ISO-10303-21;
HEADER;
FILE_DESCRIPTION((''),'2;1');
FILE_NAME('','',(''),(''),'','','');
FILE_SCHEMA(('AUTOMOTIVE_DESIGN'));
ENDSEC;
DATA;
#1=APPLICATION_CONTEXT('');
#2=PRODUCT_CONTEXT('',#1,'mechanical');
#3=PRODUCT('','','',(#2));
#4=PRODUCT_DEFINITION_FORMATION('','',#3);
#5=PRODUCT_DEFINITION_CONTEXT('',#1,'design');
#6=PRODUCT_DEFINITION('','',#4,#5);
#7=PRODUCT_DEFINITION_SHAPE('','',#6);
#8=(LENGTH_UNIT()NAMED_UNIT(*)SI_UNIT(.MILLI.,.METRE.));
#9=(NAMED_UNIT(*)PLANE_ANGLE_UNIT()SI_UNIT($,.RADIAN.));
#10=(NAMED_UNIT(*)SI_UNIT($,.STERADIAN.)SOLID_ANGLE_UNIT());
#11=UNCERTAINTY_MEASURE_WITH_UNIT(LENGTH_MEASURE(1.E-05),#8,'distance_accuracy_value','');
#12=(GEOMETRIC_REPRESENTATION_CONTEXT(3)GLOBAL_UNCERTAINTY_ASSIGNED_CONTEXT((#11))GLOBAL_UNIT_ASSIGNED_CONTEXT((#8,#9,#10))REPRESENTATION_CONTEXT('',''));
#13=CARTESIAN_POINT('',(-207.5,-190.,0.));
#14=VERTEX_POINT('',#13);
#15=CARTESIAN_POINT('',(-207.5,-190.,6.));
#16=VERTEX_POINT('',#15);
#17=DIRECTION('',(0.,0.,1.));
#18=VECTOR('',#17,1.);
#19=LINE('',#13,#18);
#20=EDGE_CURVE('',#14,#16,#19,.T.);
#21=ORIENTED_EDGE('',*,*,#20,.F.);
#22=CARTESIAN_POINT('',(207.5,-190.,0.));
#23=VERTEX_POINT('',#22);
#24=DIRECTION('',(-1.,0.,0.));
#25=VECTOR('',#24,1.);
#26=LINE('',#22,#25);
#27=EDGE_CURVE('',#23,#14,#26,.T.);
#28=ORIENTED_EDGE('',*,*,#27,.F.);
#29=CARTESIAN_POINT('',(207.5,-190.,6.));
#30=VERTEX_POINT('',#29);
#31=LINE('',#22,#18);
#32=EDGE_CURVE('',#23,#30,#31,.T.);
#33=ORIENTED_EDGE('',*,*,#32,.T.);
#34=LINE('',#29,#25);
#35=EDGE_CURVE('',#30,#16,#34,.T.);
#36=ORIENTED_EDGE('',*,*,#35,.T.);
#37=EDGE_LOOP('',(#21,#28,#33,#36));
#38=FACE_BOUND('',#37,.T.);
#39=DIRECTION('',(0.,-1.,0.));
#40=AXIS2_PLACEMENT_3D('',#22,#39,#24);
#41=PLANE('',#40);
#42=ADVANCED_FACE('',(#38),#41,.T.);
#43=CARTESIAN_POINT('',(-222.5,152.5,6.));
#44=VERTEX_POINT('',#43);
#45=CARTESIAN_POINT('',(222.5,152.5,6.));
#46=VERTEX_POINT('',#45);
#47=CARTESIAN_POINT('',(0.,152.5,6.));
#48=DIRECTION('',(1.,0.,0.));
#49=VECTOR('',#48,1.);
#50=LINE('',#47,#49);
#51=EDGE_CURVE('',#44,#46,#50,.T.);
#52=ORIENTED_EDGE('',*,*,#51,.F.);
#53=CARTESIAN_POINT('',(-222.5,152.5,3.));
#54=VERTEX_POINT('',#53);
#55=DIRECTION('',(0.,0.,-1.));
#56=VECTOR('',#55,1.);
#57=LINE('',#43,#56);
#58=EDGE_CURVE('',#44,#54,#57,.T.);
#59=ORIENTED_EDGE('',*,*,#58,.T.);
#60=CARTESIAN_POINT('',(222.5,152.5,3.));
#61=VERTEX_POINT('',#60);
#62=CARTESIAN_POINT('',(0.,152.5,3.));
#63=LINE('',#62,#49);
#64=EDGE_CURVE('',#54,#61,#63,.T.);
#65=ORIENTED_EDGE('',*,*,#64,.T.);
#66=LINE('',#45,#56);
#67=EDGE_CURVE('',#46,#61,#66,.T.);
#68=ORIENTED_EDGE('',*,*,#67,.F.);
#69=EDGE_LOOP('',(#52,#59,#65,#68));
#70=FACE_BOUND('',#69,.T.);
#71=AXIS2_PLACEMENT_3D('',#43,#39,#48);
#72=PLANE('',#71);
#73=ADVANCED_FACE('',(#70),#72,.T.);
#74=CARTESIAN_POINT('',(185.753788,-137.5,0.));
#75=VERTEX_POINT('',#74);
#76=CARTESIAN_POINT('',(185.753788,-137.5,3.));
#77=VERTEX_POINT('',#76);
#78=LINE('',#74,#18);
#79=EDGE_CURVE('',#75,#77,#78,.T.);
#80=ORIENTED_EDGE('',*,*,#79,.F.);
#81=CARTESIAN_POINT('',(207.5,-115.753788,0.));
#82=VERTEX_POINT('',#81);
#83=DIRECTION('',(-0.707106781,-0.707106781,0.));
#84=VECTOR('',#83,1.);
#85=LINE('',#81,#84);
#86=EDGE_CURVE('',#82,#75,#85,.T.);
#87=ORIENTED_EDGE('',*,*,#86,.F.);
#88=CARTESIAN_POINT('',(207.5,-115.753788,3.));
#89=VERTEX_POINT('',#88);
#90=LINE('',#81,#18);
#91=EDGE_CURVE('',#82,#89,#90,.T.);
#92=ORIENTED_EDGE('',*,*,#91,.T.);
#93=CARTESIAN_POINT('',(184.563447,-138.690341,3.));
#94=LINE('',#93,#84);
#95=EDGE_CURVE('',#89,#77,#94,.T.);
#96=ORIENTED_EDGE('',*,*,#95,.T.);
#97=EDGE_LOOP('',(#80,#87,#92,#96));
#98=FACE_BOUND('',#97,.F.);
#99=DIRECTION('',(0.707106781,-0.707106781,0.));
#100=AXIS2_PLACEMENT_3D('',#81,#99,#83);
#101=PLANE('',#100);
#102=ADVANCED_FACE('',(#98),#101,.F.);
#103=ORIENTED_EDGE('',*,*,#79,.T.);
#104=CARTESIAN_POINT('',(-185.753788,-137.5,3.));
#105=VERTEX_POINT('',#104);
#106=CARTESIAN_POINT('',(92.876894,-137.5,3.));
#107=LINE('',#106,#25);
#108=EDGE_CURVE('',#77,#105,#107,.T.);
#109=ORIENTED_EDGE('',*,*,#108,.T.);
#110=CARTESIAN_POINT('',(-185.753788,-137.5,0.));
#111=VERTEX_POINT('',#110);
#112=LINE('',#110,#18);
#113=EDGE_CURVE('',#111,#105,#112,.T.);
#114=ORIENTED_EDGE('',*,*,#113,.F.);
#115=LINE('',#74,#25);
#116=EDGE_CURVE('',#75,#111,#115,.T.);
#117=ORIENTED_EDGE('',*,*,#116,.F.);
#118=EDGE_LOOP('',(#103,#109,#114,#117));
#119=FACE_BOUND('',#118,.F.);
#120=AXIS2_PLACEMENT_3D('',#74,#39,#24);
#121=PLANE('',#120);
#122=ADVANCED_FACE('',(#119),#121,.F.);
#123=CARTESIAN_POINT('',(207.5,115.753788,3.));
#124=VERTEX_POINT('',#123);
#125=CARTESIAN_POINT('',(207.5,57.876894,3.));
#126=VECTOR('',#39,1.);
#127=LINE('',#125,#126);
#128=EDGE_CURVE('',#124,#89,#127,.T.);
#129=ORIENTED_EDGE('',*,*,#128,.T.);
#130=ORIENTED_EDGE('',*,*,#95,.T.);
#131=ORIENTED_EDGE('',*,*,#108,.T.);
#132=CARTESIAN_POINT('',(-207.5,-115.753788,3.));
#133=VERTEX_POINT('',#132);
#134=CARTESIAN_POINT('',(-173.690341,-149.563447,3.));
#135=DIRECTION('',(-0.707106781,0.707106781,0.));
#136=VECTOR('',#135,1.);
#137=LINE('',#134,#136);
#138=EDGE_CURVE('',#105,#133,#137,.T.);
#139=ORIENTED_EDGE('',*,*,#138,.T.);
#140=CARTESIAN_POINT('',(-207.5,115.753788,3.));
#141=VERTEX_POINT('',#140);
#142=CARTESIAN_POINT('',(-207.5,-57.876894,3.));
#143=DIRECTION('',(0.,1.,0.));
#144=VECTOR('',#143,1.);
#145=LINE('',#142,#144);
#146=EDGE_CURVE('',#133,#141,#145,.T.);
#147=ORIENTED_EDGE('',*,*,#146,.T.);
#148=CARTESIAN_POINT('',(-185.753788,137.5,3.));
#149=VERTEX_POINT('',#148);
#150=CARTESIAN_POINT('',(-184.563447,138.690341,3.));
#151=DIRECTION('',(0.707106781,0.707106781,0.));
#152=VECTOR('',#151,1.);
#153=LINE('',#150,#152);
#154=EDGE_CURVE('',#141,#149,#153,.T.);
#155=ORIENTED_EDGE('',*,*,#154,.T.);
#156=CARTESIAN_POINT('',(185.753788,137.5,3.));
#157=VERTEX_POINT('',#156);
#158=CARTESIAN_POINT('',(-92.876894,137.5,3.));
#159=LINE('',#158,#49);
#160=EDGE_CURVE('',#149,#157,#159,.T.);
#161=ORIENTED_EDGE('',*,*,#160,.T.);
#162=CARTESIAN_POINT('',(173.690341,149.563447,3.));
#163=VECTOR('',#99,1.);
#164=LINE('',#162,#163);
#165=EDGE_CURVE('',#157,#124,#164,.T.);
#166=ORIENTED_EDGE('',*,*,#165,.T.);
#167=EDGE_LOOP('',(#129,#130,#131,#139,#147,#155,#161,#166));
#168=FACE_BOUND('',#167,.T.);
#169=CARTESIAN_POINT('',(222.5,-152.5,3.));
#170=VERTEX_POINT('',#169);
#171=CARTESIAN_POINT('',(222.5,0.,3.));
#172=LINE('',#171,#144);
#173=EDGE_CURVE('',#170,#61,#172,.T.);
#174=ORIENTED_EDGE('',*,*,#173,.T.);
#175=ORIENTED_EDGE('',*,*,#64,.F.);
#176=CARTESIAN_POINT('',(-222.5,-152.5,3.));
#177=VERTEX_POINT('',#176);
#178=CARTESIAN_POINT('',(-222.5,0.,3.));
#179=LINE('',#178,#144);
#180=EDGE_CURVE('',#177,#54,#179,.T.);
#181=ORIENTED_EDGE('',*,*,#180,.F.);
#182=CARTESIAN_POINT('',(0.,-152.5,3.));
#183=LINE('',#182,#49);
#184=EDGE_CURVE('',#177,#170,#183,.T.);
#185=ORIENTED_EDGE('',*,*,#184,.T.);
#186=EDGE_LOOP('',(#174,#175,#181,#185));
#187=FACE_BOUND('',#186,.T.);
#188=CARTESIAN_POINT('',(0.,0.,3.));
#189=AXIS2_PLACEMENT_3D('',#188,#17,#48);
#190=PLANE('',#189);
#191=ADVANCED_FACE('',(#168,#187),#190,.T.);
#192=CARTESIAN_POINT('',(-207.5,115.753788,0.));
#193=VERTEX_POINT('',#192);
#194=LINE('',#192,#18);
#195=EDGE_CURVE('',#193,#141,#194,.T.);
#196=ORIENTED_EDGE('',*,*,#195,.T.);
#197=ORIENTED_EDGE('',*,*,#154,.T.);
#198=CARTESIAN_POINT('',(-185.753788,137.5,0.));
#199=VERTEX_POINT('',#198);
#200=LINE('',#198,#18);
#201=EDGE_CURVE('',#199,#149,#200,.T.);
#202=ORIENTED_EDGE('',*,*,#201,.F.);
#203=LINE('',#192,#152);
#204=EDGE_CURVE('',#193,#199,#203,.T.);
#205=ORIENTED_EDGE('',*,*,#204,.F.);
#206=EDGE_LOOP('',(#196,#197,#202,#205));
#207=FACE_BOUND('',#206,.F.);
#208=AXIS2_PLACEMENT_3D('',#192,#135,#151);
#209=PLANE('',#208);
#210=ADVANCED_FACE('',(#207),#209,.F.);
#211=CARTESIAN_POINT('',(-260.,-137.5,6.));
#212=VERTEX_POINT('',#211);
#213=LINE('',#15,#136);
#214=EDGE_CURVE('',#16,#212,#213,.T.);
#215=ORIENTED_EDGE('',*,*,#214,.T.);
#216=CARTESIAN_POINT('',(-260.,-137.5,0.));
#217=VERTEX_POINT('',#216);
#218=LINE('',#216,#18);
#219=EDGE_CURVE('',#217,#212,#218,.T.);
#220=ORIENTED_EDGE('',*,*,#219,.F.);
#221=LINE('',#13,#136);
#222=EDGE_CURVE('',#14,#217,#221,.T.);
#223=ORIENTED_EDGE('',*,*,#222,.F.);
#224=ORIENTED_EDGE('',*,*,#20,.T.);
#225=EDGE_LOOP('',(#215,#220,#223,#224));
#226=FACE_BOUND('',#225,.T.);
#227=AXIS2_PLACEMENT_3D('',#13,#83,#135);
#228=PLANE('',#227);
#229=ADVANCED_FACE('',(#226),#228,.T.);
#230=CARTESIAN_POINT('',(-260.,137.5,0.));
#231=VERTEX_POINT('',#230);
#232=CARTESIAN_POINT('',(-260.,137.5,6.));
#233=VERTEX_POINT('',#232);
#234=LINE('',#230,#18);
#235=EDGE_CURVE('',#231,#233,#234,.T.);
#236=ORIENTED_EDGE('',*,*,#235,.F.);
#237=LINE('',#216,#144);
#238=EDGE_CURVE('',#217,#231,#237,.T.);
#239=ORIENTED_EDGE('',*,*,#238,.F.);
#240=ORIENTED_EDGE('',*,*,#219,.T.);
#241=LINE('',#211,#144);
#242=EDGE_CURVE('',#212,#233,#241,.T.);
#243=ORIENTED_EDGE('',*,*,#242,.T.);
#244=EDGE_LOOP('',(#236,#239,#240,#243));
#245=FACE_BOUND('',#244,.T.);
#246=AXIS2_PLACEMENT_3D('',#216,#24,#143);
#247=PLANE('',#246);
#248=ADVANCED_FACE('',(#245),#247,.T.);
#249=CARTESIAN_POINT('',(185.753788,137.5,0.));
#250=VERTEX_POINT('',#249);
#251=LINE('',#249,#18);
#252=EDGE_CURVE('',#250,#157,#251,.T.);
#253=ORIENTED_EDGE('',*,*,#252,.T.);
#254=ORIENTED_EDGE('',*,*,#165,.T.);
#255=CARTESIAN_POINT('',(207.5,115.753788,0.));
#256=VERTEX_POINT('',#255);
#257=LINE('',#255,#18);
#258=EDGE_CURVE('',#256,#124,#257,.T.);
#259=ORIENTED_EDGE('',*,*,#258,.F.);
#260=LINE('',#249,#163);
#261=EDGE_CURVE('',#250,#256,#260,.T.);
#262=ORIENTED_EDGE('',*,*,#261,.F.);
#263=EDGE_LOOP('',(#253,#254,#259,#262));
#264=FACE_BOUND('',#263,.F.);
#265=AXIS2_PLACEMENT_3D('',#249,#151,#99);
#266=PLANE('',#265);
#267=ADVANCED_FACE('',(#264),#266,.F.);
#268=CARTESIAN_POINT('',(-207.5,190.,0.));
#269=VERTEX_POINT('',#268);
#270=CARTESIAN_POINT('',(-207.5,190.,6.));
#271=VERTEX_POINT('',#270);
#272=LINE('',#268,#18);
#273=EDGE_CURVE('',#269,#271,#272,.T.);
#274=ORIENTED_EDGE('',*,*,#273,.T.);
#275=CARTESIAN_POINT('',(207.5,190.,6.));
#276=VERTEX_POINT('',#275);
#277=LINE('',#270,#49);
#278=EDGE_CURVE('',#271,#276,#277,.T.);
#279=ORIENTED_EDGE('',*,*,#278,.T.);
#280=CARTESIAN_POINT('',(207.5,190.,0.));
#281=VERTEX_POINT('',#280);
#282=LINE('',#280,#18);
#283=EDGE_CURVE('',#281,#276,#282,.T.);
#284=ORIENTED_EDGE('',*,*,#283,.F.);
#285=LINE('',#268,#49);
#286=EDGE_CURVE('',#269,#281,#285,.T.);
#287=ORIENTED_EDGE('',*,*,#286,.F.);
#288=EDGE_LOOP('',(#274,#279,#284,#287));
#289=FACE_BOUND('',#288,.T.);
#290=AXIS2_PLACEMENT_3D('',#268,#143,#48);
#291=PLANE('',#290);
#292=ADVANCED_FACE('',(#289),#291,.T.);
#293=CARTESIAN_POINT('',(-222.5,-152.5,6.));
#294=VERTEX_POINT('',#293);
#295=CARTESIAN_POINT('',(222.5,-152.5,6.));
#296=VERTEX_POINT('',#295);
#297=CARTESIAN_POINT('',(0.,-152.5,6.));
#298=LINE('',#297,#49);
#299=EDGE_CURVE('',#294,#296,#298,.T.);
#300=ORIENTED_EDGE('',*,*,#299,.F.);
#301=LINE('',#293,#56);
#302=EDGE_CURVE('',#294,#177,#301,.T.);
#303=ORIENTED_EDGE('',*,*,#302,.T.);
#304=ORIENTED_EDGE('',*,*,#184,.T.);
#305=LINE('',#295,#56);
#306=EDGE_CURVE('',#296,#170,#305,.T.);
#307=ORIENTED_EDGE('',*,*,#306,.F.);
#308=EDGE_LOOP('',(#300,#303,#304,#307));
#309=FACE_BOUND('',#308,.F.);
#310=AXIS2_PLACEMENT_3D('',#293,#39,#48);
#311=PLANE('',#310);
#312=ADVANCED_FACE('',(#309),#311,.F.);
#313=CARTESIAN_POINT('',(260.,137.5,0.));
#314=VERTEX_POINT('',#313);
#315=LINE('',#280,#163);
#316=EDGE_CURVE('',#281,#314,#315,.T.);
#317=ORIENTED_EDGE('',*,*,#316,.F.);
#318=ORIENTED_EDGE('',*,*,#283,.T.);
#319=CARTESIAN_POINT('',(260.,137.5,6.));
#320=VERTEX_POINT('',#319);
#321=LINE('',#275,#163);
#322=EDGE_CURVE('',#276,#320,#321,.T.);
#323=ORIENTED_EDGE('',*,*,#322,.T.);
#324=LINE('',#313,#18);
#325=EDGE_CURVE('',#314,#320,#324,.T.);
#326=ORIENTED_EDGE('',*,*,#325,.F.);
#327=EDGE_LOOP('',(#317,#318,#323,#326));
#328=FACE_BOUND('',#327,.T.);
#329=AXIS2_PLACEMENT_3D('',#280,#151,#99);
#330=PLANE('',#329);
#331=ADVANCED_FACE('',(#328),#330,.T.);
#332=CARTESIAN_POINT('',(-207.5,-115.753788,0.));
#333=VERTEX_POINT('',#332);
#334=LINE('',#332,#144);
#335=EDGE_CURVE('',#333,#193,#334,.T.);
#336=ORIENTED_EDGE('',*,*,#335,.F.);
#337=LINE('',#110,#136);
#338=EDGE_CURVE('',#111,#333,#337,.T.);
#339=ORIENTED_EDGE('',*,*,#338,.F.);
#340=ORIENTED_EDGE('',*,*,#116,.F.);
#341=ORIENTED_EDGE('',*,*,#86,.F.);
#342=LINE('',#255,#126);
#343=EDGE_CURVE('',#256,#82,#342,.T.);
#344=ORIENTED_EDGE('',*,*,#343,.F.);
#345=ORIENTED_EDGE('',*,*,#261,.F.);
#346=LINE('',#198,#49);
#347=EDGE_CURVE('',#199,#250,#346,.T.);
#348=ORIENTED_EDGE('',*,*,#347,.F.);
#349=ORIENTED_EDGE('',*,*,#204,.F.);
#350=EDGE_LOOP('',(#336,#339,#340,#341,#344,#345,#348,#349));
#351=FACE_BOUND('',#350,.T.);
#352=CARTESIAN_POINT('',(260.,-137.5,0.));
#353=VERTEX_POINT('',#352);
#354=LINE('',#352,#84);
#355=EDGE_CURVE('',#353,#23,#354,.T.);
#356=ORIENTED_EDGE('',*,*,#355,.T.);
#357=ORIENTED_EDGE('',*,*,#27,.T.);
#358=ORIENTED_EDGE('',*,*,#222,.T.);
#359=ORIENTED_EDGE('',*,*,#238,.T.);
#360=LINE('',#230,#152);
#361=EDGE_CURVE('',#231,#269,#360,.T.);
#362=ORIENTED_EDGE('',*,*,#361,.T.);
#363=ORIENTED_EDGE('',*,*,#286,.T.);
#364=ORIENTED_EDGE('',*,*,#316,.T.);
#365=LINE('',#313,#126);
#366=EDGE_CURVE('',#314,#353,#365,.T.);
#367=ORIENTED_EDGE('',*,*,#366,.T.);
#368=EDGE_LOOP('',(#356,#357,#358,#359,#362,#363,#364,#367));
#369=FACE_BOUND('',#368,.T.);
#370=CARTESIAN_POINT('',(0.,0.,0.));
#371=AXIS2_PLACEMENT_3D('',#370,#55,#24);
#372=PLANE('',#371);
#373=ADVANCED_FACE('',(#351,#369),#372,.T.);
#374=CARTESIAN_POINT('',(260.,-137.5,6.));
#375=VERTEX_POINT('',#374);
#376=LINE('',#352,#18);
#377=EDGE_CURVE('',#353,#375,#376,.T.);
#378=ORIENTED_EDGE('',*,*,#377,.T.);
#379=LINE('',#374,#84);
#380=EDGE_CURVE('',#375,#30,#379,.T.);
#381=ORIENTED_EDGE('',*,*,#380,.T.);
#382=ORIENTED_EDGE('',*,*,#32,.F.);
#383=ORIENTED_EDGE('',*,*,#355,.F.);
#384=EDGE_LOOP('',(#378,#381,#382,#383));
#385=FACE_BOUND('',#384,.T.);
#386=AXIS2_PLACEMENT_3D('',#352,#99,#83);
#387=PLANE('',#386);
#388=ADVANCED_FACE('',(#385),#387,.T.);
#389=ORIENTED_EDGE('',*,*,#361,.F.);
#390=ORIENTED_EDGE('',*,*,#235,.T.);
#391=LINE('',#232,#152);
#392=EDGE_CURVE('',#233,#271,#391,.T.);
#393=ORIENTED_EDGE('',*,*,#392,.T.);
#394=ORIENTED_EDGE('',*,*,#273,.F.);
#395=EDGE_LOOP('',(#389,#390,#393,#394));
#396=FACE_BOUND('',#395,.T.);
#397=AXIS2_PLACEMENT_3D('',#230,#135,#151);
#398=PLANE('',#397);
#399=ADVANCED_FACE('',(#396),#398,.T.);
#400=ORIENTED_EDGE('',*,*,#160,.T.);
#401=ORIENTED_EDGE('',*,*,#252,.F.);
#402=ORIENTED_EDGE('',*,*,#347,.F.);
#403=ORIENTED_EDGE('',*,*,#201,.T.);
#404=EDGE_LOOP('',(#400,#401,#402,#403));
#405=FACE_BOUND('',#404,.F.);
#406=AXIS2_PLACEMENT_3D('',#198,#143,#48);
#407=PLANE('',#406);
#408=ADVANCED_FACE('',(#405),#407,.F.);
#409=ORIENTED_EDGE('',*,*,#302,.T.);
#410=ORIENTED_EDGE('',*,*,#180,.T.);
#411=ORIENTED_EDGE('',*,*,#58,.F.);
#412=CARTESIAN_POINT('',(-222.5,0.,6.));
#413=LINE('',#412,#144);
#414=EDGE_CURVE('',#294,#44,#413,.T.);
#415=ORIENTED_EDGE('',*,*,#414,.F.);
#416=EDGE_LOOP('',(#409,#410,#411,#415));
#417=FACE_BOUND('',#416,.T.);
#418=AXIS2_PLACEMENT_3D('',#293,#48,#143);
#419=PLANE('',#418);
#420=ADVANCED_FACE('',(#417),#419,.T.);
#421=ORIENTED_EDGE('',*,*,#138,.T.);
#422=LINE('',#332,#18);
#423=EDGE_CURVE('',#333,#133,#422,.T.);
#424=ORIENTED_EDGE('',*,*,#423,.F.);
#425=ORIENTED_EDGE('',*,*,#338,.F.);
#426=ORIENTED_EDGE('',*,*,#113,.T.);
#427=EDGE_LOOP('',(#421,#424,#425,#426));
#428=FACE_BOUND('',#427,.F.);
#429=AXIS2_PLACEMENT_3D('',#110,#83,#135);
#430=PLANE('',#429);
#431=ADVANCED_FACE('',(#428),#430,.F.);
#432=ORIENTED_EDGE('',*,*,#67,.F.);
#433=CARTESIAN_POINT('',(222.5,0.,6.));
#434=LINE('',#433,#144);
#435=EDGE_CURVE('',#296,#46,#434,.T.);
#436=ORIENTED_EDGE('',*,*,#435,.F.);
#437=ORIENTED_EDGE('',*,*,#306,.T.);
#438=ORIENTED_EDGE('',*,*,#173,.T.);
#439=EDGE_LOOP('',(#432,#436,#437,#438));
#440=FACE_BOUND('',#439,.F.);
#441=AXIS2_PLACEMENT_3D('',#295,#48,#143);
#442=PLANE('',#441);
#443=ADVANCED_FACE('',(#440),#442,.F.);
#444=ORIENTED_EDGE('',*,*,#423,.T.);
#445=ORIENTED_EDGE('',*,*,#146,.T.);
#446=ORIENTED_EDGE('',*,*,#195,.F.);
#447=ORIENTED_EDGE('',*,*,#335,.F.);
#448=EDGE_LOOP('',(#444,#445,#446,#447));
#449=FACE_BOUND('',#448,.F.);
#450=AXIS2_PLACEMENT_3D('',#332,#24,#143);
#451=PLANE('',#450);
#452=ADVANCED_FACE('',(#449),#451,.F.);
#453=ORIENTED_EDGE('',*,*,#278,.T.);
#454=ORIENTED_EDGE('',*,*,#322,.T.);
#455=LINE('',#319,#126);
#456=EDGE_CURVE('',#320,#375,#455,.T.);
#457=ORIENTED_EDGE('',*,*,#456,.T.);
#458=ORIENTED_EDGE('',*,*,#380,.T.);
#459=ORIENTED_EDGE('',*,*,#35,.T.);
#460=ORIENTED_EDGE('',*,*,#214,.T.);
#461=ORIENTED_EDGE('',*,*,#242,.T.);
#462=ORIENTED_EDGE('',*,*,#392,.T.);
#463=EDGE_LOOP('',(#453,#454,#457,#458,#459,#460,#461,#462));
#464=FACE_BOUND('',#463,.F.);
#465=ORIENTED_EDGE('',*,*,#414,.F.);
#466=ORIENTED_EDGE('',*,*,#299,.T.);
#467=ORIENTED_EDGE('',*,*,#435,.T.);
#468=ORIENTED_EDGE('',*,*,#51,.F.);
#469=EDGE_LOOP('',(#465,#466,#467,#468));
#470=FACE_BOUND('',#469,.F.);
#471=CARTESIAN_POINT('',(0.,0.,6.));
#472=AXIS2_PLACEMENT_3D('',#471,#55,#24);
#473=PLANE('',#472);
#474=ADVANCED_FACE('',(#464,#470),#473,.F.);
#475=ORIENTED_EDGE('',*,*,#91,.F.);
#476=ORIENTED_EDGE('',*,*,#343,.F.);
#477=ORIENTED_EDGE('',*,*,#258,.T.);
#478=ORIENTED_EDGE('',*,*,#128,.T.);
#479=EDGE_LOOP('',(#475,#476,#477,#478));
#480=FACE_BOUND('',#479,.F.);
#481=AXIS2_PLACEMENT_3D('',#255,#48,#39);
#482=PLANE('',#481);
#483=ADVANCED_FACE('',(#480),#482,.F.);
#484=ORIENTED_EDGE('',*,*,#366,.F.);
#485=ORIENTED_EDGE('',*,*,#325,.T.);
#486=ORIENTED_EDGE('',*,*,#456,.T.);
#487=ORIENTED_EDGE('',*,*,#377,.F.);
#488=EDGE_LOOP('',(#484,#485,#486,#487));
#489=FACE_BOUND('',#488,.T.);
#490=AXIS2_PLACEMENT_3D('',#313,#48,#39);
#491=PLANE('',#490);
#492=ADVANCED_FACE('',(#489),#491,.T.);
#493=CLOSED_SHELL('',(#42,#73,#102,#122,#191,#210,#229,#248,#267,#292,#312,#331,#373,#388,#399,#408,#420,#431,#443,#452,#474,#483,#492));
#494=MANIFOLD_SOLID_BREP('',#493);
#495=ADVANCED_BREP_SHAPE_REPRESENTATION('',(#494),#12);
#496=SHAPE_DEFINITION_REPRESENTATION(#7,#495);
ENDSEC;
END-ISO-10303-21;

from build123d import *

# Parameters (mm, degrees)
PAD_DEPTH    = 6
SKETCH001_W  = 445
SKETCH001_H  = 305
POCKET_DEPTH = 3


with BuildPart() as part:
    # Sketch → Pad (new body)
    with BuildSketch(Plane.XY):
        Polygon((-207.5, 190), (207.5, 190), (260, 137.5), (260, -137.5), (207.5, -190), (-207.5, -190), (-260, -137.5), (-260, 137.5), align=None)
        Polygon((-207.5, -115.753788), (-207.5, 115.753788), (-185.753788, 137.5), (185.753788, 137.5), (207.5, 115.753788), (207.5, -115.753788), (185.753788, -137.5), (-185.753788, -137.5), align=None, mode=Mode.SUBTRACT)
    extrude(amount=PAD_DEPTH)

    # Sketch001 (on Face18 of Pad) → Pocket (cut)
    with BuildSketch(Plane.XY.offset(6)):
        Rectangle(SKETCH001_W, SKETCH001_H)
    extrude(amount=-POCKET_DEPTH, mode=Mode.SUBTRACT)


solid = part.part
